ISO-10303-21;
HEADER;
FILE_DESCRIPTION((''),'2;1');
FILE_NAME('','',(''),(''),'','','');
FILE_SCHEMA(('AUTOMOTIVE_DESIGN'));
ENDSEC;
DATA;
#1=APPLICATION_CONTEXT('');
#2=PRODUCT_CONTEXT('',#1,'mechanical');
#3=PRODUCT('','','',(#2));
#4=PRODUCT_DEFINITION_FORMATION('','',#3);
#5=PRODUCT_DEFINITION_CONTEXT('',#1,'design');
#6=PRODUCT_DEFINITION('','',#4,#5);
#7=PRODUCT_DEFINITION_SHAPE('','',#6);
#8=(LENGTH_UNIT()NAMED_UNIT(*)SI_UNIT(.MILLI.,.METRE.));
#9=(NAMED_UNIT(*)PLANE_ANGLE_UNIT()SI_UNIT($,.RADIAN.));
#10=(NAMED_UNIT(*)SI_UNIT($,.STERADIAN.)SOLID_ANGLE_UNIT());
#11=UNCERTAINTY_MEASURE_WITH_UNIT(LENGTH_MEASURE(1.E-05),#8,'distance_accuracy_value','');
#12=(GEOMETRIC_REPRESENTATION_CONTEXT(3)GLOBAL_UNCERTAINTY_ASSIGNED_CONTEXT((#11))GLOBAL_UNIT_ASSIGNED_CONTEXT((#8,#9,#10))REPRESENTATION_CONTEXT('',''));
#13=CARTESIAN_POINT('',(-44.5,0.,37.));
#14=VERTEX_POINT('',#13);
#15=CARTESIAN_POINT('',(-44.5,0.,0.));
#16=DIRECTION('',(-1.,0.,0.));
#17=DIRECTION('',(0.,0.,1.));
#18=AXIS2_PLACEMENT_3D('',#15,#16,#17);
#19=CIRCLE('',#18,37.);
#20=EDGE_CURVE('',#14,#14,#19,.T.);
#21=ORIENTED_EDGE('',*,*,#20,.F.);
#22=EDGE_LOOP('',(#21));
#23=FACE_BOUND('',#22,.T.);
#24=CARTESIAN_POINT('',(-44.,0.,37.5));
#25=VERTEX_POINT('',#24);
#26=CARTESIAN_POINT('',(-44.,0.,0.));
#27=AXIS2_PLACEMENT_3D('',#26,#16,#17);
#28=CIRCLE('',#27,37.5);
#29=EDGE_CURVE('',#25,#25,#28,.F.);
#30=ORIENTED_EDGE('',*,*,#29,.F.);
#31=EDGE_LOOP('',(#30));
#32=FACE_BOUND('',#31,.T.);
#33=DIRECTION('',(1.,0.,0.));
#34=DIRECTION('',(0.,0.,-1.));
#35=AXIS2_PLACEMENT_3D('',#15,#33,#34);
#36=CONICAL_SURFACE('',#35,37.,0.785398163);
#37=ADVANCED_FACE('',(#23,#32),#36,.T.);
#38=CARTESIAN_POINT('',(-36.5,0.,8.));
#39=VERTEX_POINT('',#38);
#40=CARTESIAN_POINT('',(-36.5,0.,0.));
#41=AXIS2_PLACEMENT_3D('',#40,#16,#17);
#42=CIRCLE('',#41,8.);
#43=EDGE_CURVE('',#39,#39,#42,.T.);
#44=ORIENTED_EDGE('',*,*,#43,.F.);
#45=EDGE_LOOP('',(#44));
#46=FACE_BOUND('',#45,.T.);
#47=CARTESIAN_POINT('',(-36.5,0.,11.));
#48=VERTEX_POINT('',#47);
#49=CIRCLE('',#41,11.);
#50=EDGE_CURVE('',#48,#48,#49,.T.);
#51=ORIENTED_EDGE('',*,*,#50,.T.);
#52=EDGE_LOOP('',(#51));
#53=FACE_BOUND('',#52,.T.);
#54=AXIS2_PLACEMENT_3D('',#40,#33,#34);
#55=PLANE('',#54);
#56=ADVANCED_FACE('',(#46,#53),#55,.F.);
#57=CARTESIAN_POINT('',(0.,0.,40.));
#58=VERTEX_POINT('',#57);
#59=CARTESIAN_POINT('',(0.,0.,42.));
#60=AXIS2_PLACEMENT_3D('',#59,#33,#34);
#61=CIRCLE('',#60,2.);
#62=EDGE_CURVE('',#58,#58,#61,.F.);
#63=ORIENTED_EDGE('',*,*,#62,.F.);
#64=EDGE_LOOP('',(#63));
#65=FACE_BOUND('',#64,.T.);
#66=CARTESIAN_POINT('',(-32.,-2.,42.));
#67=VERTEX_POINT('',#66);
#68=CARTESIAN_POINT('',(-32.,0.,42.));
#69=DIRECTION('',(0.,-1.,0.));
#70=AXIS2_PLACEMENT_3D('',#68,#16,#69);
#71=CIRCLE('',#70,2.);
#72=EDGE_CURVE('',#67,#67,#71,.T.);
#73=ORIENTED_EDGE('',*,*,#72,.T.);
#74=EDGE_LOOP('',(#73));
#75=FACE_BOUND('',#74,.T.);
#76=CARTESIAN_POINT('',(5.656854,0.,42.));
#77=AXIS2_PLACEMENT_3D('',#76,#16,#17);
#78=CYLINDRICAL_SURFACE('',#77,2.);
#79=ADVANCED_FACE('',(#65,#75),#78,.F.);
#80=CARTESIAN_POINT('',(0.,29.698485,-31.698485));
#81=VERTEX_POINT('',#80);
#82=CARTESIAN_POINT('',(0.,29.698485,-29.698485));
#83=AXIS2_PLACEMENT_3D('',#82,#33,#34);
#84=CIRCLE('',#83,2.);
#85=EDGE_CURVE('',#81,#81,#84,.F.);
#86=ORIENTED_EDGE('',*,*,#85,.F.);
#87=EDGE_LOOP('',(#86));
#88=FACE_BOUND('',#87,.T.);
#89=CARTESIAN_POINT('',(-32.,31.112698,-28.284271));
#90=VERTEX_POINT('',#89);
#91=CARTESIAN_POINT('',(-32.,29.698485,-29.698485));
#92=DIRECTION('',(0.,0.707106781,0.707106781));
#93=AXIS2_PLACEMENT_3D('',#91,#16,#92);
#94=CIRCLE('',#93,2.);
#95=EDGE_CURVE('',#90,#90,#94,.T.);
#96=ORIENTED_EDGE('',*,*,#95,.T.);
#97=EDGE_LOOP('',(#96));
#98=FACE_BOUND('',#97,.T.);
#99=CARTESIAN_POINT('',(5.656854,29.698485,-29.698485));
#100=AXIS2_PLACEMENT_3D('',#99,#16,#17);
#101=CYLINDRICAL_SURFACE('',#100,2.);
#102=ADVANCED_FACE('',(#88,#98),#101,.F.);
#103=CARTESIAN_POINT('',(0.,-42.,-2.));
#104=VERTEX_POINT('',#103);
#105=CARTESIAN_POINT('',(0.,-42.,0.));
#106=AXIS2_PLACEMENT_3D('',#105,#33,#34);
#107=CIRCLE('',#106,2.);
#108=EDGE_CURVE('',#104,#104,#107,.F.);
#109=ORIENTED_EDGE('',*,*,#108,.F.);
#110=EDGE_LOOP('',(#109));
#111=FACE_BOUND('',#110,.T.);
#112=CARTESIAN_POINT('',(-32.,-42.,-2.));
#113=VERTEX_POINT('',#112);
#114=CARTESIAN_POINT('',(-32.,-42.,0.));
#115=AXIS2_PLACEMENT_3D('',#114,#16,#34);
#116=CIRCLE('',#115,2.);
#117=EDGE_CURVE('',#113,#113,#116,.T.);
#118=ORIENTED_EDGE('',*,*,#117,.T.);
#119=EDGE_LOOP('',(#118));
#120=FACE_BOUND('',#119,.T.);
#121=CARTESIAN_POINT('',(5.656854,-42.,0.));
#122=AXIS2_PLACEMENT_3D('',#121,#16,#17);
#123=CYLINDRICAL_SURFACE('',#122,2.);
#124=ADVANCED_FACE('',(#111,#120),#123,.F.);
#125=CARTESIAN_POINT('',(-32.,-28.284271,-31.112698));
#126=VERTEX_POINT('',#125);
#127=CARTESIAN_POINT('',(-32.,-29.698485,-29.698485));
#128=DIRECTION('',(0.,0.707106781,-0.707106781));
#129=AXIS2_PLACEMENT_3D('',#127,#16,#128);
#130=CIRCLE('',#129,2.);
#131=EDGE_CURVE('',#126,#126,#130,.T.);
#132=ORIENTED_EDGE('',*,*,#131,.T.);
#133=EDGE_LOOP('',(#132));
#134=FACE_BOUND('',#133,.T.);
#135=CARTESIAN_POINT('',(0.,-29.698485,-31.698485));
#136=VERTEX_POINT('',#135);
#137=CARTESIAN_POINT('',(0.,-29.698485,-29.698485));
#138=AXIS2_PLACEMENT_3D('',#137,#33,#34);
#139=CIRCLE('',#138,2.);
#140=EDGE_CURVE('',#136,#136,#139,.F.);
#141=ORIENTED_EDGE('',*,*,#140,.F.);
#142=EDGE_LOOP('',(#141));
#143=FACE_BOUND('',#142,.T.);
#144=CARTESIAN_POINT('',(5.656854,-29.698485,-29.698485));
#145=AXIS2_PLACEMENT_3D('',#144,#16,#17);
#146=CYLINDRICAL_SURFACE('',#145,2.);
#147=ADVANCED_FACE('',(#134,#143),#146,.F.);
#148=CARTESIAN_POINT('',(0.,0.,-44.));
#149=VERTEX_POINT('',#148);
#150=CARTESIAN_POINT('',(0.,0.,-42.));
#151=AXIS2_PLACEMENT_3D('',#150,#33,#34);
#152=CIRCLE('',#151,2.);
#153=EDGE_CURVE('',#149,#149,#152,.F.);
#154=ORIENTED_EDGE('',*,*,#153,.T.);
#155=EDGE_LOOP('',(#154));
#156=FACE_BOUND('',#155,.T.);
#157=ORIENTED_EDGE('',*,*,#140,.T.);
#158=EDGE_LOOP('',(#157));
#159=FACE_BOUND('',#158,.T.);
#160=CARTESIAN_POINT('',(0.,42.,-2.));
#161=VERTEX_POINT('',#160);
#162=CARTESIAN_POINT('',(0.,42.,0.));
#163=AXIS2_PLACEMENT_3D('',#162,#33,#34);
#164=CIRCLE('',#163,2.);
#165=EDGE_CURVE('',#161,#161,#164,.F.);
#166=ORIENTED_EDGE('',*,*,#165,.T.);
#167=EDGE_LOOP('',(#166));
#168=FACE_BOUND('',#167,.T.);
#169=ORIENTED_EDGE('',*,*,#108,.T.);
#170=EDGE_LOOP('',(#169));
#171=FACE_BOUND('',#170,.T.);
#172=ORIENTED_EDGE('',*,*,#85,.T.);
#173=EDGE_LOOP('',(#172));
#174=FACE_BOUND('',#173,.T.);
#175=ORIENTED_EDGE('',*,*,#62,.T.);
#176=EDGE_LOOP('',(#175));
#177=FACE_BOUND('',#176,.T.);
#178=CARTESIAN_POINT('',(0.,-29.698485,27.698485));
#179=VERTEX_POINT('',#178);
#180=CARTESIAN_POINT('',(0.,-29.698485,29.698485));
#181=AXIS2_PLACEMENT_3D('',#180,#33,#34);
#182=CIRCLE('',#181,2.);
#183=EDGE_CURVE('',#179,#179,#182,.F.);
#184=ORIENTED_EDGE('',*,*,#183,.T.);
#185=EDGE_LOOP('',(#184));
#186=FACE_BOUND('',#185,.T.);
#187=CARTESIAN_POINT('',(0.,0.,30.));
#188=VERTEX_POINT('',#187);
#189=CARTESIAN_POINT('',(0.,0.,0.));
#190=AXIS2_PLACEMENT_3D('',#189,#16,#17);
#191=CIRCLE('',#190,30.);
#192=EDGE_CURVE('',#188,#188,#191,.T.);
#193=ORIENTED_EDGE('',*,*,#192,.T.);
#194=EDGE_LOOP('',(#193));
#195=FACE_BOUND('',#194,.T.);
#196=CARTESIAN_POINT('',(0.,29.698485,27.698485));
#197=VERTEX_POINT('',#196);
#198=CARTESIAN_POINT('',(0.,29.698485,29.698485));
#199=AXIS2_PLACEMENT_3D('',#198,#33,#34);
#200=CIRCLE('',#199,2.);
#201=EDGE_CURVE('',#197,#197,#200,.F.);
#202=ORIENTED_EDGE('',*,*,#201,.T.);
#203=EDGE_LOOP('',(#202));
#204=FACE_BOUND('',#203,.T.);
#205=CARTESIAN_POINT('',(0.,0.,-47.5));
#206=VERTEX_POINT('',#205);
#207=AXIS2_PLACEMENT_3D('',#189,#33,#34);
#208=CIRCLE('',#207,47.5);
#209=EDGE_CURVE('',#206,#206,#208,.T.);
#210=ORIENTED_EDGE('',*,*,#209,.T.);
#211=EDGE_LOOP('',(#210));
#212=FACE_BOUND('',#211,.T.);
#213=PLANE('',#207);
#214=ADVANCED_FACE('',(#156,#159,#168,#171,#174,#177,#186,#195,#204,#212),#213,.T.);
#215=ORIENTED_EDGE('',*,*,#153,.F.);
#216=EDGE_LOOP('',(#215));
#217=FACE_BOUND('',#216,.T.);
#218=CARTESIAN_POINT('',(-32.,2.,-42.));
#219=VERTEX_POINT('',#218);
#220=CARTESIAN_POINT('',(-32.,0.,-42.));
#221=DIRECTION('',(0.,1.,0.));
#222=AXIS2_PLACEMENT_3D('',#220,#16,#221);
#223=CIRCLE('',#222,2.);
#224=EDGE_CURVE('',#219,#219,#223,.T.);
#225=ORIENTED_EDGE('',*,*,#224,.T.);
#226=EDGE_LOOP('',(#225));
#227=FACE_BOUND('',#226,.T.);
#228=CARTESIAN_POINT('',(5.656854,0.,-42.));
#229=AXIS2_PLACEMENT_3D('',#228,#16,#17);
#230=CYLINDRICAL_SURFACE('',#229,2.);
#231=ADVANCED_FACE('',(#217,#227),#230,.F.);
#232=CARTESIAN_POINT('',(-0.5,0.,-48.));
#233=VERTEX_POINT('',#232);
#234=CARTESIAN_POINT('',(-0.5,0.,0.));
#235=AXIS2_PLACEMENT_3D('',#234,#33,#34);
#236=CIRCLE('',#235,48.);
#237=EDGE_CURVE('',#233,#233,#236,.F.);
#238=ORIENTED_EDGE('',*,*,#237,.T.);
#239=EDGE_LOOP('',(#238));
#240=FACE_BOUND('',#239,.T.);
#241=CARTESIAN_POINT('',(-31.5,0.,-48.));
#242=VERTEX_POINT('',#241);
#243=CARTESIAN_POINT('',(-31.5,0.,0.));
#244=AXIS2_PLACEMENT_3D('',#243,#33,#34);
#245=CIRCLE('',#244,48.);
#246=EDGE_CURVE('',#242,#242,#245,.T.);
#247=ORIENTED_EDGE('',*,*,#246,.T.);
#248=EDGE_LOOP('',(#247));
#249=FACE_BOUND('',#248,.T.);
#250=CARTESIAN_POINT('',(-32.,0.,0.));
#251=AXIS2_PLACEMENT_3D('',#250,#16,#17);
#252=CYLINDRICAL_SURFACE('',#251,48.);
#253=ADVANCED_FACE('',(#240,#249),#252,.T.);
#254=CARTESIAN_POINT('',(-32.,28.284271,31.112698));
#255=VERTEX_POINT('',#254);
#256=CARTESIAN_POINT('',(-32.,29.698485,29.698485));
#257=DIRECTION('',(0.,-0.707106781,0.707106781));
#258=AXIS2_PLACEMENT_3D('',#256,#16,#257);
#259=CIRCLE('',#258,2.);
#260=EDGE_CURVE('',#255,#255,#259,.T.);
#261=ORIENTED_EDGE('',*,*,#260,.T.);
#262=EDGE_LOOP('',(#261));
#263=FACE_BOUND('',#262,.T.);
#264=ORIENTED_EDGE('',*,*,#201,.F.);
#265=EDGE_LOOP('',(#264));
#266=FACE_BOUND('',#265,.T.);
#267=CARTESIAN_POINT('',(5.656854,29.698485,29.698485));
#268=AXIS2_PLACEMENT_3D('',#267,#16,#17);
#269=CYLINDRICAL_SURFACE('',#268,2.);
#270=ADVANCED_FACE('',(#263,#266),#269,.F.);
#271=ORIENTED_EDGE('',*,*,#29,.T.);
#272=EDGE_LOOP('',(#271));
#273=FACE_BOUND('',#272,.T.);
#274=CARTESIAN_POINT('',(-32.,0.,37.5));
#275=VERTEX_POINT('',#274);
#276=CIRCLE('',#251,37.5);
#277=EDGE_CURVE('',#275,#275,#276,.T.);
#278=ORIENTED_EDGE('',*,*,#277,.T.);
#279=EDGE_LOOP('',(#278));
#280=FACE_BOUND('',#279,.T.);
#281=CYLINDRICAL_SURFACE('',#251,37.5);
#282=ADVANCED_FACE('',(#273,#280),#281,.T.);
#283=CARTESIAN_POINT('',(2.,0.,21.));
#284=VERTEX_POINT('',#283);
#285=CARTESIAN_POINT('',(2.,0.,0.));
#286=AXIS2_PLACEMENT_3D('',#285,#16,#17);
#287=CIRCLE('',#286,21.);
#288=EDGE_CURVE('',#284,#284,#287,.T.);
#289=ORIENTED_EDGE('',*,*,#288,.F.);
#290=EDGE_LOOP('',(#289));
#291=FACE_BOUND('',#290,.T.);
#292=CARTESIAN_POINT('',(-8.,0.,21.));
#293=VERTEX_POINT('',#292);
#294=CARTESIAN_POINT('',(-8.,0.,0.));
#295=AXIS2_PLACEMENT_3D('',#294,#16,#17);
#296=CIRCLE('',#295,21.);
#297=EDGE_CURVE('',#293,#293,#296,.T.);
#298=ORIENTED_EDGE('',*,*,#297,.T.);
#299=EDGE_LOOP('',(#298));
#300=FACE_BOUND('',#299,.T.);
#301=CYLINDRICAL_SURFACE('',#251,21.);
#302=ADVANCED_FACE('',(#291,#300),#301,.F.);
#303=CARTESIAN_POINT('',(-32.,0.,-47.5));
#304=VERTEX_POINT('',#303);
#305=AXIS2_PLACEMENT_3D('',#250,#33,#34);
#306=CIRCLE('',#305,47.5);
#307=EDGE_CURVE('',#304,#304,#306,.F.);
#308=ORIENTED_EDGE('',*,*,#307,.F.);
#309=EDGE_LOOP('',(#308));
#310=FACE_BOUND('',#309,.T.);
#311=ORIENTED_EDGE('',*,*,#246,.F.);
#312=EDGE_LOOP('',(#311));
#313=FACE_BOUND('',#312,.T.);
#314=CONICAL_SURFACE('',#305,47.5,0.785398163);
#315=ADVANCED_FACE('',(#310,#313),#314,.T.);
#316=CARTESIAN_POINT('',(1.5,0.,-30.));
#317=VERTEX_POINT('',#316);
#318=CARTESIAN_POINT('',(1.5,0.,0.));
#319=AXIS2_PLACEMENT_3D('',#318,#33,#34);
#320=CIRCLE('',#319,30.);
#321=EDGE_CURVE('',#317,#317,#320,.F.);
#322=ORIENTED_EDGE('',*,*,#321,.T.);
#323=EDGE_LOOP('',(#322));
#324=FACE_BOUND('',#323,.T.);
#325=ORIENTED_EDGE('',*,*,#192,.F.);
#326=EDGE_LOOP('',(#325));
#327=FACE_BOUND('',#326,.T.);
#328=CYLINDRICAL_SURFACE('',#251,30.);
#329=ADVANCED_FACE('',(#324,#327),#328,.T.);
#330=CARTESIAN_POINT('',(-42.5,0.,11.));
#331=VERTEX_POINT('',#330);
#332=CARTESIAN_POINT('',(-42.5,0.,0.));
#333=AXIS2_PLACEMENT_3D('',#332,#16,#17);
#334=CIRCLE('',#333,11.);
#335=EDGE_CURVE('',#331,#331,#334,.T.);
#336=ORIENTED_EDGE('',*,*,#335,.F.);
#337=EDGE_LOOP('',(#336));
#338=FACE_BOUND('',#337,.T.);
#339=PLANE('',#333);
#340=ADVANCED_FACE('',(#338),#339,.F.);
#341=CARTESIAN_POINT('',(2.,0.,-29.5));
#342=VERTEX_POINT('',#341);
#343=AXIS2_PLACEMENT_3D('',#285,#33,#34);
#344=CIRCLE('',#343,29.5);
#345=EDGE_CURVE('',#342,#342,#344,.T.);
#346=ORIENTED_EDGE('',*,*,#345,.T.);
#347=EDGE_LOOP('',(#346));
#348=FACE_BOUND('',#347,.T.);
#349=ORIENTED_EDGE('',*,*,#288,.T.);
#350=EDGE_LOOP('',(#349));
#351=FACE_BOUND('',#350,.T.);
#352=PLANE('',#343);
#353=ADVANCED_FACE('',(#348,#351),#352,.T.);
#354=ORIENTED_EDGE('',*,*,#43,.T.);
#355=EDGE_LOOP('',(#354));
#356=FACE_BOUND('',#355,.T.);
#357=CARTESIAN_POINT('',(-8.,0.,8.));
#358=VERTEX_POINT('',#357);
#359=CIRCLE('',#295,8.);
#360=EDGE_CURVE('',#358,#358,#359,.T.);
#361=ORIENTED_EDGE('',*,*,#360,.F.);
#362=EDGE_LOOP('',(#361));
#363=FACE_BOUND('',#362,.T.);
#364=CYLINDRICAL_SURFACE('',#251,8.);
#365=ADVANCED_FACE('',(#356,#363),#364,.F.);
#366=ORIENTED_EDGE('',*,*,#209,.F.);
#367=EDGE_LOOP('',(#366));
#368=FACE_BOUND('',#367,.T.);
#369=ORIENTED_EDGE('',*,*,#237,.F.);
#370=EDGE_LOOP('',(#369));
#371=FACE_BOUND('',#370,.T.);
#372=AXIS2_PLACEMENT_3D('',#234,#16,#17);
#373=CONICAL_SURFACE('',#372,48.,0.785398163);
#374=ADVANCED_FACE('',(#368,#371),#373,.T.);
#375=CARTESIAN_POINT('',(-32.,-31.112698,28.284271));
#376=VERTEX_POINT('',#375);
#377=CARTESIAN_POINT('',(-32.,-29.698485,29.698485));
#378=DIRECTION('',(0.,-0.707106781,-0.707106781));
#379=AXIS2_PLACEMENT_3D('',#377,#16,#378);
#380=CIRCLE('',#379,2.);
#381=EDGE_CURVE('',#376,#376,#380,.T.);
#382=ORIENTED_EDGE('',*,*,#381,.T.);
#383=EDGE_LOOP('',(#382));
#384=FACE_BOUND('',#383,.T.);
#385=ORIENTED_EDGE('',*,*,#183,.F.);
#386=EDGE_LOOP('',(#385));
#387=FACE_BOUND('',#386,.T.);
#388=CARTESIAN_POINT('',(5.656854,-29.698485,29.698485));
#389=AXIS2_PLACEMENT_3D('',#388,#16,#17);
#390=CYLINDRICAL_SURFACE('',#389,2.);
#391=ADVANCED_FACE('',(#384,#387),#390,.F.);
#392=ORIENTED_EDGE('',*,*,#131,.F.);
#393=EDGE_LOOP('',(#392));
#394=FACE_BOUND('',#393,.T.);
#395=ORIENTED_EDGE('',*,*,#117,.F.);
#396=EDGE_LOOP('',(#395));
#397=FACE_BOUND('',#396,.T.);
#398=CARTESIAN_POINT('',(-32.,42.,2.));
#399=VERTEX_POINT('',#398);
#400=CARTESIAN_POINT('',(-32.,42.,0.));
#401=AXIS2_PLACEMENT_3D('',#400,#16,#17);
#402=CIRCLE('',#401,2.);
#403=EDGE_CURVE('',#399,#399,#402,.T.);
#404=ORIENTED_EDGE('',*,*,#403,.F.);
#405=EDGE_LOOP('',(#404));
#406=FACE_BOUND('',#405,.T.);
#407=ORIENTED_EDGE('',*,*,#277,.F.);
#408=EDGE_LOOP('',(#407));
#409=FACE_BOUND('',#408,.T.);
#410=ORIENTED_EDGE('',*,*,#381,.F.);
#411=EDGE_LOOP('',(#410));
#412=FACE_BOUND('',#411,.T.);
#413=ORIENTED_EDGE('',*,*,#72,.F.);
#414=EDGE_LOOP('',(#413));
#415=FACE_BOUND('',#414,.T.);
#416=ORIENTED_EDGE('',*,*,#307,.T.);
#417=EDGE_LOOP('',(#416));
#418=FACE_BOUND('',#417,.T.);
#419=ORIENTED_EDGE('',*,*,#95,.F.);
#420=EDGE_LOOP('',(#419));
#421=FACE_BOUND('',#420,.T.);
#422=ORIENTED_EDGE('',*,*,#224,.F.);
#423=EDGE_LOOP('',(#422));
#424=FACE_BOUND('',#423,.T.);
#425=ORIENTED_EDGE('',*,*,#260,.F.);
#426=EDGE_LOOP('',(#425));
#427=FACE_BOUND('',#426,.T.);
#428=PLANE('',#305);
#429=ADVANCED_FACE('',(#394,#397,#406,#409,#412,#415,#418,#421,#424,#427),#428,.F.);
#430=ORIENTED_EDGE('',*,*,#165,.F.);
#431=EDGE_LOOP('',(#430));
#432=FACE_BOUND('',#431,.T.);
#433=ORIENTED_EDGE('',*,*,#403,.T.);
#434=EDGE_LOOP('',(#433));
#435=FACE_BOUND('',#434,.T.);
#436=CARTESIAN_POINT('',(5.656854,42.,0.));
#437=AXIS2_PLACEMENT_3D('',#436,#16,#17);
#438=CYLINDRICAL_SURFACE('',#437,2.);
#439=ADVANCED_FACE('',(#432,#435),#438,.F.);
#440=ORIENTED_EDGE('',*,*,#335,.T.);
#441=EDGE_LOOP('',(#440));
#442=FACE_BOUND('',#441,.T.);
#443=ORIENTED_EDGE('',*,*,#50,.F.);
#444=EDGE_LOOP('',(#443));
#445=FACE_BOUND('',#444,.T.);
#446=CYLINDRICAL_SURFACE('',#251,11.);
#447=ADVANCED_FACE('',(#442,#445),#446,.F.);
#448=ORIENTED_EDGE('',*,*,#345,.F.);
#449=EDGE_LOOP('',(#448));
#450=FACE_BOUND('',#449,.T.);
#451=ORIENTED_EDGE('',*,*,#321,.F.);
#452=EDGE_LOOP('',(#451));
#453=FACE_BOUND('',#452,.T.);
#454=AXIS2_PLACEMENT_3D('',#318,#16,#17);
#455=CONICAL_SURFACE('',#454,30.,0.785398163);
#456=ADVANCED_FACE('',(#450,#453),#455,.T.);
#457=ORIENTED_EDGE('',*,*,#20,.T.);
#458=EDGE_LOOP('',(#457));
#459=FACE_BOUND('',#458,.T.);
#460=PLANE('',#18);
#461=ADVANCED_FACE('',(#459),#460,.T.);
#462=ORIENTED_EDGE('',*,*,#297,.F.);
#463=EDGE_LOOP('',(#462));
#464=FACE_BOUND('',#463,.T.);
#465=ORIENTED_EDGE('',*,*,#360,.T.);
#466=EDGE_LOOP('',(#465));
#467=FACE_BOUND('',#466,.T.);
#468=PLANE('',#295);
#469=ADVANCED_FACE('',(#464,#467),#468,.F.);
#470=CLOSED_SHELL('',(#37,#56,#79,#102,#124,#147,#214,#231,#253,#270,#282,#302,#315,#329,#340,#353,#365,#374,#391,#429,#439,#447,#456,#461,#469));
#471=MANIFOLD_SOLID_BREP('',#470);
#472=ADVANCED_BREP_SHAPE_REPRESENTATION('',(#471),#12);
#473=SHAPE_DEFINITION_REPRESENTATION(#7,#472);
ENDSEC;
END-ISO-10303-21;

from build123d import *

# Parameters (mm, degrees)
SKETCH3_R          = 2
CUT_EXTRUDE1_DEPTH = 32
CIRPATTERN1_COUNT  = 8
CHAMFER1_SIZE      = 0.5
CHAMFER2_SIZE      = 0.5


with BuildPart() as part:
    # Sketch2 → Revolve1 (revolve)
    with BuildSketch(Plane(origin=(0, 0, 0), x_dir=(1, 0, 0), z_dir=(0, 1, 0)), mode=Mode.PRIVATE) as revolve1_sk:
        Polygon((0, 30), (0, 48), (-32, 48), (-32, 37.5), (-44.5, 37.5), (-44.5, 0), (-42.5, 0), (-42.5, 11), (-36.5, 11), (-36.5, 8), (-8, 8), (-8, 21), (2, 21), (2, 30), align=None)
    revolve(revolve1_sk.sketch.rotate(Axis((-32, 0, 0), (1, 0, 0)), 180), axis=Axis((-32, 0, 0), (1, 0, 0)))

    # Sketch3 → Cut-Extrude1 (cut)
    with BuildSketch(Plane.ZY.offset(32)):
        with Locations((0, 42)):
            Circle(SKETCH3_R)
    cut_extrude1 = extrude(amount=-CUT_EXTRUDE1_DEPTH, mode=Mode.SUBTRACT)

    # CirPattern1: Cut-Extrude1 ×8 about axis
    cirpattern1_axis = Axis((0, 0, 0), (1, 0, 0))
    for i in range(1, CIRPATTERN1_COUNT):
        add(cut_extrude1.rotate(cirpattern1_axis, i * 360 / CIRPATTERN1_COUNT), mode=Mode.SUBTRACT)

    # Chamfer1
    chamfer1_edges = [part.edges().sort_by_distance(p)[0] for p in [
        (-44.5, 0, -37.5),
        (-32, 0, -48),
        (0, 0, -48),
    ]]
    chamfer(chamfer1_edges, length=CHAMFER1_SIZE)

    # Chamfer2
    chamfer2_edges = [part.edges().sort_by_distance(p)[0] for p in [
        (2, 0, -30),
    ]]
    chamfer(chamfer2_edges, length=CHAMFER2_SIZE)


solid = part.part
